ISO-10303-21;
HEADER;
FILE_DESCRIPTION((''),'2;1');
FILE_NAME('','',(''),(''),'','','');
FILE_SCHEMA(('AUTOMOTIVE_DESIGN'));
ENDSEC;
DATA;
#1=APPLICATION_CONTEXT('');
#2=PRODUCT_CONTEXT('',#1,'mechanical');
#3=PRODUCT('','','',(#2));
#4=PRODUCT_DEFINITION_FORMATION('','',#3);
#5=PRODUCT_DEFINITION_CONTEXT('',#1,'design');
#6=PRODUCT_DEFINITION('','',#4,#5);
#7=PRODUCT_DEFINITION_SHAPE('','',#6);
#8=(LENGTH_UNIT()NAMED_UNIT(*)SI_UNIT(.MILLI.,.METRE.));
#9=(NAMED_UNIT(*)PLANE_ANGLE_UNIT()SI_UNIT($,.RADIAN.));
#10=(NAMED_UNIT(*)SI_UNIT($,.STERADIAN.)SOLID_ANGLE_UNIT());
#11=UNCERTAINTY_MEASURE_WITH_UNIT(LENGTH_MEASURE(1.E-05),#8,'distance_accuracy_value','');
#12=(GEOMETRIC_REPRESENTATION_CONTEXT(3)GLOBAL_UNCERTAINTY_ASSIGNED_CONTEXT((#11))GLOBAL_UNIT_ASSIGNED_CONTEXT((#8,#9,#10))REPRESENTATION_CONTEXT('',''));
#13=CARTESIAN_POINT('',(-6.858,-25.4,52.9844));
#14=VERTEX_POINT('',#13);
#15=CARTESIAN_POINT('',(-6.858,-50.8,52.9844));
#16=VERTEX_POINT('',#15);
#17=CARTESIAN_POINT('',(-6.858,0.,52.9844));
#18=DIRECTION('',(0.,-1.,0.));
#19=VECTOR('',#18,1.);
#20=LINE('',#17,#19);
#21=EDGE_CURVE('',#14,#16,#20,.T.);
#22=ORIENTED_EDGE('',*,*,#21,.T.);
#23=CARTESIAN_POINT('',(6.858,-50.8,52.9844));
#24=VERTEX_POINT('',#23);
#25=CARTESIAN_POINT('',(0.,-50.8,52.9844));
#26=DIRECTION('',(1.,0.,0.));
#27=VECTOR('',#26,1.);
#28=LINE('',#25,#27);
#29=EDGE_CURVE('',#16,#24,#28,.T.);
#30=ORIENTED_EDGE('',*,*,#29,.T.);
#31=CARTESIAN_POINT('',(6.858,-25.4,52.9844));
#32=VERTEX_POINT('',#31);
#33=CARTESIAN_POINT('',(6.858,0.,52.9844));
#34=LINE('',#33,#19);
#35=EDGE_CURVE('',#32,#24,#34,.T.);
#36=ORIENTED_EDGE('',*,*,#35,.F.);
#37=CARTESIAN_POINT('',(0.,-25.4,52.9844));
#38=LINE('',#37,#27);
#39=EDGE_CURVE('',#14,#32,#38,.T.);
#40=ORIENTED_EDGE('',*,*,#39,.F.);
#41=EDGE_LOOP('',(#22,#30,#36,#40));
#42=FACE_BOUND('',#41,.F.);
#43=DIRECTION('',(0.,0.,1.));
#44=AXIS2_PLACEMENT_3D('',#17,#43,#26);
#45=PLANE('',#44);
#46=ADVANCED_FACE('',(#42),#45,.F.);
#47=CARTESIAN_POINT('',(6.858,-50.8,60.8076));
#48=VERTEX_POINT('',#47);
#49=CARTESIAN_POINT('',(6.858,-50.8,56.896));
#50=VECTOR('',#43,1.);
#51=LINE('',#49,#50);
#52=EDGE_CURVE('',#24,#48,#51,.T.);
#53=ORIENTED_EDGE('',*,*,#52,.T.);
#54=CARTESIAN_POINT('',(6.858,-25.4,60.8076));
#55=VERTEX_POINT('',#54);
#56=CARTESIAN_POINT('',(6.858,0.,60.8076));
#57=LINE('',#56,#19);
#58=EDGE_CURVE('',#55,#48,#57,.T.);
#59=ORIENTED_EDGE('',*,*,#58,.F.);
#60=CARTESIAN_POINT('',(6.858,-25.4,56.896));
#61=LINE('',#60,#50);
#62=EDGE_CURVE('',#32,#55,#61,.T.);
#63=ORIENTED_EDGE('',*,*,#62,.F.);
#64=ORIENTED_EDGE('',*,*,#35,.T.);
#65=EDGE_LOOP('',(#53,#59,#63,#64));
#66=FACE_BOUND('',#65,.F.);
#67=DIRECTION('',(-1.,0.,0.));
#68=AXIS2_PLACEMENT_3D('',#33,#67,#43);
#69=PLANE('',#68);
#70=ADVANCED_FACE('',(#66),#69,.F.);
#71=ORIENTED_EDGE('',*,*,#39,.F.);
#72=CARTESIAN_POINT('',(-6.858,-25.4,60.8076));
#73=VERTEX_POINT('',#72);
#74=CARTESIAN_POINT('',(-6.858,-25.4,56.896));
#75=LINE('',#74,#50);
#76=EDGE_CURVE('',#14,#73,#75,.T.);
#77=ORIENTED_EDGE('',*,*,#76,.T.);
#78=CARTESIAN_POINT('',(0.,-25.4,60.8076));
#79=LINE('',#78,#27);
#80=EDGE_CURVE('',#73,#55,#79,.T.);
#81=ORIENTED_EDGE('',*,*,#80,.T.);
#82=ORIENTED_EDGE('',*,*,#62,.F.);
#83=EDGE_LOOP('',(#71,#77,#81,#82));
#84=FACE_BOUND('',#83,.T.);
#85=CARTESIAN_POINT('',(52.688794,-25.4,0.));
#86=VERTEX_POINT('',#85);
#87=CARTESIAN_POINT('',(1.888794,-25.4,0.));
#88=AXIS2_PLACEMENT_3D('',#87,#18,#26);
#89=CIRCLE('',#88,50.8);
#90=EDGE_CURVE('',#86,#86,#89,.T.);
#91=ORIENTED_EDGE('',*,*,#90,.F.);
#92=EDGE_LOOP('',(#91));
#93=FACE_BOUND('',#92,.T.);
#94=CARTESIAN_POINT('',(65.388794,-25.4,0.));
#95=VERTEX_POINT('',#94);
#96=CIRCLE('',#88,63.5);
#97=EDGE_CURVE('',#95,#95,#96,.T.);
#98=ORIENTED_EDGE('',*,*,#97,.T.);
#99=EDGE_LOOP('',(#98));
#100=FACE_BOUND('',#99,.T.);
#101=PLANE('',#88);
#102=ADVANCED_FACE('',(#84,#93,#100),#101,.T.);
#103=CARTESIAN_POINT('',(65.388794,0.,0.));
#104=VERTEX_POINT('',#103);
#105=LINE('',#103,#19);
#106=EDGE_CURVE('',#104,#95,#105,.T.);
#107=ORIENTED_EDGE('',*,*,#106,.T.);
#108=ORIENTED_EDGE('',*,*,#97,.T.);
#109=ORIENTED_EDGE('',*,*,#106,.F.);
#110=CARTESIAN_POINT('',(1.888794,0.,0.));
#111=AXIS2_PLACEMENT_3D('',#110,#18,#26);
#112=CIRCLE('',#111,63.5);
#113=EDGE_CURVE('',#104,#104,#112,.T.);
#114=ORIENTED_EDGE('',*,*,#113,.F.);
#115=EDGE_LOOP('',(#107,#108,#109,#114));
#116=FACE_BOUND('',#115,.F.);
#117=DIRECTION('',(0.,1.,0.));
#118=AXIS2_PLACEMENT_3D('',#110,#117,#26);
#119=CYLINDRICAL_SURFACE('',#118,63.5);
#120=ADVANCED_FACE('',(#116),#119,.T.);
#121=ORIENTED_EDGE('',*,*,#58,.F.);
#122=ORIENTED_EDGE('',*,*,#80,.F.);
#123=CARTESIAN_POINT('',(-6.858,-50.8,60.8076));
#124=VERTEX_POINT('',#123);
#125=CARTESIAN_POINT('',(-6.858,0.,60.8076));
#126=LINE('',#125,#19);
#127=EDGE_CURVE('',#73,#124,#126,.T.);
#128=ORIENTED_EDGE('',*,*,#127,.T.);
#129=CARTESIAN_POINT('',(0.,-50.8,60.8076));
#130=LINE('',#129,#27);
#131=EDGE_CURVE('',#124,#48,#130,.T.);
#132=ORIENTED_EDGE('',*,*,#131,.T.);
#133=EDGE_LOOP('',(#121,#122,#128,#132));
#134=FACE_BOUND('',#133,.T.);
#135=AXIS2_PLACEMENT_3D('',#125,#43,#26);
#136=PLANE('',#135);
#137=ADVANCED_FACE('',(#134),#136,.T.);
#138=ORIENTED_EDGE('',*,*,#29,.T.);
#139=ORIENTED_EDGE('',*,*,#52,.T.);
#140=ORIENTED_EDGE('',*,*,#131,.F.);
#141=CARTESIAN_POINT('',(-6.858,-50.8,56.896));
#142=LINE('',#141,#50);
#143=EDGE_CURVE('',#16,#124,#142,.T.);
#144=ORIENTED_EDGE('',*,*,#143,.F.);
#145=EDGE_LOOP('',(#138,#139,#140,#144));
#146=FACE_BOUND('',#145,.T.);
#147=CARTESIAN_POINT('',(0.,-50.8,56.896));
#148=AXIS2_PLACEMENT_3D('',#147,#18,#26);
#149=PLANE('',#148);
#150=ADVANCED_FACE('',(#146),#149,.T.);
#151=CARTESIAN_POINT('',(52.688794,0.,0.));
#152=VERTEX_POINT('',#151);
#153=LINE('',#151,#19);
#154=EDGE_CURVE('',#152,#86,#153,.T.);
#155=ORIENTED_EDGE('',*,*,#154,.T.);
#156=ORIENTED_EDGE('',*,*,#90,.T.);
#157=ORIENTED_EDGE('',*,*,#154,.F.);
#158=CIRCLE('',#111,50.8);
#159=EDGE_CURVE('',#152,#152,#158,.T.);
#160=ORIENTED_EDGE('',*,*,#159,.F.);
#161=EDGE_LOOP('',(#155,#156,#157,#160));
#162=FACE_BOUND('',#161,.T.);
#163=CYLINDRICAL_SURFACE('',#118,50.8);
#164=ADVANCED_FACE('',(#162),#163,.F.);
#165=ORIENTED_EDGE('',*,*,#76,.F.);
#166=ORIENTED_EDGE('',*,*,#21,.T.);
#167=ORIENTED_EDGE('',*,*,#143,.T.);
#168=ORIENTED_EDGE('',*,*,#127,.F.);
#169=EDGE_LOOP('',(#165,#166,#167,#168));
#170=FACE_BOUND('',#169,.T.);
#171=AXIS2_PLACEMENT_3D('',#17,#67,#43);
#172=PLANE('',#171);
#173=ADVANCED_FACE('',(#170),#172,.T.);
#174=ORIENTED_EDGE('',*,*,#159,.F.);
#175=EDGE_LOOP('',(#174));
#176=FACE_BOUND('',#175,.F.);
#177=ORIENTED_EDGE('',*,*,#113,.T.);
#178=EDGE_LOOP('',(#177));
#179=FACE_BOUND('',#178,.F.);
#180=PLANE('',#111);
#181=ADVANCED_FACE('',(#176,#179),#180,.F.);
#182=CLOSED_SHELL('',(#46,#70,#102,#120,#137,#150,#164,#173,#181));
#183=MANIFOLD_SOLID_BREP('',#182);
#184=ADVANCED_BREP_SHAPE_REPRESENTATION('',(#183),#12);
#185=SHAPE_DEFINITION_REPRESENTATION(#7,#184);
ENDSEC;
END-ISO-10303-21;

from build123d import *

# Parameters (mm, degrees)
F0_R     = 63.5
F0_W     = 13.716
F0_H     = 7.8232
F0_R_2   = 50.8
F1_DEPTH = 25.4
F2_DEPTH = 50.8


with BuildPart() as f1:
    # F0 (on Front) → F1 (new body)
    with BuildSketch(Plane.XZ):
        with Locations((1.888794, 0)):
            Circle(F0_R)
        with Locations((0, 56.896)):
            Rectangle(F0_W, F0_H, mode=Mode.SUBTRACT)
        with Locations((1.888794, 0)):
            Circle(F0_R_2, mode=Mode.SUBTRACT)
    extrude(amount=F1_DEPTH)

    # F0 (on Front) → F2 (join)
    with BuildSketch(Plane.XZ):
        with Locations((0, 56.896)):
            Rectangle(F0_W, F0_H)
    extrude(amount=F2_DEPTH)


solid = f1.part
